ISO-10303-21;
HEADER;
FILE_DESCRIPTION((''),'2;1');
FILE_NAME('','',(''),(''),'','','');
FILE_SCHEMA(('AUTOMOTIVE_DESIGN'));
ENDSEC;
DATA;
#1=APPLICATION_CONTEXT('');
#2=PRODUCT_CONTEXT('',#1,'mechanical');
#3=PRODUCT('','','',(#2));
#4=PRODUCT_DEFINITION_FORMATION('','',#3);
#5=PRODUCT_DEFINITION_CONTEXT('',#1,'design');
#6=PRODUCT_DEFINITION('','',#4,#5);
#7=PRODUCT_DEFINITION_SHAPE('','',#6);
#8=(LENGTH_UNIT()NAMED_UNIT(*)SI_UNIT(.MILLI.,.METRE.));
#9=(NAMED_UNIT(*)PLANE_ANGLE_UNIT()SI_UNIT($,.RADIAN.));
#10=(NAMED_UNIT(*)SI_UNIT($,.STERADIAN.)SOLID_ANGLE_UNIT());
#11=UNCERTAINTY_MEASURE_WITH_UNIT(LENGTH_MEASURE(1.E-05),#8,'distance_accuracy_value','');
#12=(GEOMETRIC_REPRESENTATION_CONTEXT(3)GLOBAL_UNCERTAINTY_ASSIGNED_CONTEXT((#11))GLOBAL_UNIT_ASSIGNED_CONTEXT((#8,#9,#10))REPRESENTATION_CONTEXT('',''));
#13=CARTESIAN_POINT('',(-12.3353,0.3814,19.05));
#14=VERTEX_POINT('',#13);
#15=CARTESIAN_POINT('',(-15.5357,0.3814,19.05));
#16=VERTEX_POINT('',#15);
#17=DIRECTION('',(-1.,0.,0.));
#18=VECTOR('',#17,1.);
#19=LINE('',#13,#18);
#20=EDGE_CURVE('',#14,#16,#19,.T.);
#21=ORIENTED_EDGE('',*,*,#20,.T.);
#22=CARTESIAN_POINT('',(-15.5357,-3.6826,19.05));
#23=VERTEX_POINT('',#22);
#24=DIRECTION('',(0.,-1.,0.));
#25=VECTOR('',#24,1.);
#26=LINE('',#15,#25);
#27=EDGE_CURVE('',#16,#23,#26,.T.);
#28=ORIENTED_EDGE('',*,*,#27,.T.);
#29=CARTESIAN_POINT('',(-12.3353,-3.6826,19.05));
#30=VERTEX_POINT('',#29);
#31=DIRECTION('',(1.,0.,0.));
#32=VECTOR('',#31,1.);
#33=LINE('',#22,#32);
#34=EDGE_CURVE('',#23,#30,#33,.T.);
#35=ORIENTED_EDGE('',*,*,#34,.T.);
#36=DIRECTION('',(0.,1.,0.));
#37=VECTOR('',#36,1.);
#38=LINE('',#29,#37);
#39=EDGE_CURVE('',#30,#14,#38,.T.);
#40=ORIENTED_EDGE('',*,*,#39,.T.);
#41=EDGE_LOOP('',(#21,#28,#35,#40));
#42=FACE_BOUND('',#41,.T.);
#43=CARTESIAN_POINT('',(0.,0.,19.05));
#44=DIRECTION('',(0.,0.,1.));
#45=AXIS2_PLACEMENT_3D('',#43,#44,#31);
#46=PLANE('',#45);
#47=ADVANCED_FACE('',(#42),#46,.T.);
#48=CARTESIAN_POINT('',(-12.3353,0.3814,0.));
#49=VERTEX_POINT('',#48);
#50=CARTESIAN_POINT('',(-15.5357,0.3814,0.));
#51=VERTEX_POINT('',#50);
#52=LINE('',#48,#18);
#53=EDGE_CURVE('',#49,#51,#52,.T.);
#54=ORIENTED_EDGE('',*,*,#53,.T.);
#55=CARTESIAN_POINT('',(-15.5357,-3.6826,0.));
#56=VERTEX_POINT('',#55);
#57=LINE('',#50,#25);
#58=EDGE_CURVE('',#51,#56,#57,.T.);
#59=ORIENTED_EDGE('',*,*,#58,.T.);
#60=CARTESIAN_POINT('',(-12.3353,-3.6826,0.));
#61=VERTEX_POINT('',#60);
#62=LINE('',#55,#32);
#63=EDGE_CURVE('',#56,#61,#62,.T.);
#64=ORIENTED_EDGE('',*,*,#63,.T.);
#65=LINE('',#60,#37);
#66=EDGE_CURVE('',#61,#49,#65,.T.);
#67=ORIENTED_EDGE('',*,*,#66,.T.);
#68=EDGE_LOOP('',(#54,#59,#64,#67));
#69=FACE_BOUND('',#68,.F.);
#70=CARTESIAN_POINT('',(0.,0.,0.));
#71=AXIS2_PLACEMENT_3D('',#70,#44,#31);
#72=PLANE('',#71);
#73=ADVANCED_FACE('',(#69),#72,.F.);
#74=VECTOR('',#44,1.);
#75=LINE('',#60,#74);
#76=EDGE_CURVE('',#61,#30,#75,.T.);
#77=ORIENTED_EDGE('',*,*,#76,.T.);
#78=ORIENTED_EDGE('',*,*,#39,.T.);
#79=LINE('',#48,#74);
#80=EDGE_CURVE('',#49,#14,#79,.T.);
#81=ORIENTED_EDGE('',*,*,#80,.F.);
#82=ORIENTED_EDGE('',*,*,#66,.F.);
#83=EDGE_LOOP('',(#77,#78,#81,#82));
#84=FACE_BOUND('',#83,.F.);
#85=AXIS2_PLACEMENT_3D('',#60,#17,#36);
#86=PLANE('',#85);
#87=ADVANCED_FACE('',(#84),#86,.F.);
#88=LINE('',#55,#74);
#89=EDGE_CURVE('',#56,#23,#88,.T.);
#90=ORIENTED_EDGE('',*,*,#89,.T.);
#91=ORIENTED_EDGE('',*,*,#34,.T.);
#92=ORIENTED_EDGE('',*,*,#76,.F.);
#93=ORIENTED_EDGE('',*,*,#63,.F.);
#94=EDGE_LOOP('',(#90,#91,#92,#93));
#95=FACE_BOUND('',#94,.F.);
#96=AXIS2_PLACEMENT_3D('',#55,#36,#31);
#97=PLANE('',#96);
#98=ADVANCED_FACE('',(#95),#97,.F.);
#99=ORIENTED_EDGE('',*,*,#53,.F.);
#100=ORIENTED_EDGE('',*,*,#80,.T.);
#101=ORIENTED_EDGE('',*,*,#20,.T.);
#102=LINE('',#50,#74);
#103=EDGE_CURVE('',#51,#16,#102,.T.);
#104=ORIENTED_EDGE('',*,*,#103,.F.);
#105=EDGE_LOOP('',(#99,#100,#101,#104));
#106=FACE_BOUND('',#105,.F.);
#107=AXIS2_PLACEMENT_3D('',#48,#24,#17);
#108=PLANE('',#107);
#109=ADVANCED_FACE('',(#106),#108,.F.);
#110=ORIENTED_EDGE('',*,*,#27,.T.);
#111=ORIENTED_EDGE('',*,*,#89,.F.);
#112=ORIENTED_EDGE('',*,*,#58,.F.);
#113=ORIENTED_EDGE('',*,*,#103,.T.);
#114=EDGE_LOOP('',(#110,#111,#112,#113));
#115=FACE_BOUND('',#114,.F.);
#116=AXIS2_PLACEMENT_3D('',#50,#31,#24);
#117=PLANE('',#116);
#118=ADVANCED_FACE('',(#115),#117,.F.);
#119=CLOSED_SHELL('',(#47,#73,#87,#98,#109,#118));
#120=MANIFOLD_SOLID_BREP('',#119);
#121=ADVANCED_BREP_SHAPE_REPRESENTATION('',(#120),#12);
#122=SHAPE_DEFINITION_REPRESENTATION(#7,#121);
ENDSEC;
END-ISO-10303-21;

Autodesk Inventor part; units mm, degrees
ref_plane "YZ Plane" through (0, 0, 0) normal (1, 0, 0) x (0, 1, 0)
ref_plane "XZ Plane" through (0, 0, 0) normal (0, 1, 0) x (-1, 0, 0)
ref_plane "XY Plane" through (0, 0, 0) normal (0, 0, 1) x (1, 0, 0)
sketch "Sketch1" plane through (0, 0, 0) normal (0, 0, 1) x (1, 0, 0)
  line L0 (-15.5357, -3.6826) -> (-12.3353, -3.6826)
  line L1 (-12.3353, -3.6826) -> (-12.3353, 0.3814)
  line L2 (-12.3353, 0.3814) -> (-15.5357, 0.3814)
  line L3 (-15.5357, 0.3814) -> (-15.5357, -3.6826)
  point P0 (0, 0)
  dimension "d0" = 4.064
  dimension "d1" = 3.2004
extrude "Extrusion1" add sketch "Sketch1" along normal blind 19.05
properties part number "key for pneumatic wheel + motor"
